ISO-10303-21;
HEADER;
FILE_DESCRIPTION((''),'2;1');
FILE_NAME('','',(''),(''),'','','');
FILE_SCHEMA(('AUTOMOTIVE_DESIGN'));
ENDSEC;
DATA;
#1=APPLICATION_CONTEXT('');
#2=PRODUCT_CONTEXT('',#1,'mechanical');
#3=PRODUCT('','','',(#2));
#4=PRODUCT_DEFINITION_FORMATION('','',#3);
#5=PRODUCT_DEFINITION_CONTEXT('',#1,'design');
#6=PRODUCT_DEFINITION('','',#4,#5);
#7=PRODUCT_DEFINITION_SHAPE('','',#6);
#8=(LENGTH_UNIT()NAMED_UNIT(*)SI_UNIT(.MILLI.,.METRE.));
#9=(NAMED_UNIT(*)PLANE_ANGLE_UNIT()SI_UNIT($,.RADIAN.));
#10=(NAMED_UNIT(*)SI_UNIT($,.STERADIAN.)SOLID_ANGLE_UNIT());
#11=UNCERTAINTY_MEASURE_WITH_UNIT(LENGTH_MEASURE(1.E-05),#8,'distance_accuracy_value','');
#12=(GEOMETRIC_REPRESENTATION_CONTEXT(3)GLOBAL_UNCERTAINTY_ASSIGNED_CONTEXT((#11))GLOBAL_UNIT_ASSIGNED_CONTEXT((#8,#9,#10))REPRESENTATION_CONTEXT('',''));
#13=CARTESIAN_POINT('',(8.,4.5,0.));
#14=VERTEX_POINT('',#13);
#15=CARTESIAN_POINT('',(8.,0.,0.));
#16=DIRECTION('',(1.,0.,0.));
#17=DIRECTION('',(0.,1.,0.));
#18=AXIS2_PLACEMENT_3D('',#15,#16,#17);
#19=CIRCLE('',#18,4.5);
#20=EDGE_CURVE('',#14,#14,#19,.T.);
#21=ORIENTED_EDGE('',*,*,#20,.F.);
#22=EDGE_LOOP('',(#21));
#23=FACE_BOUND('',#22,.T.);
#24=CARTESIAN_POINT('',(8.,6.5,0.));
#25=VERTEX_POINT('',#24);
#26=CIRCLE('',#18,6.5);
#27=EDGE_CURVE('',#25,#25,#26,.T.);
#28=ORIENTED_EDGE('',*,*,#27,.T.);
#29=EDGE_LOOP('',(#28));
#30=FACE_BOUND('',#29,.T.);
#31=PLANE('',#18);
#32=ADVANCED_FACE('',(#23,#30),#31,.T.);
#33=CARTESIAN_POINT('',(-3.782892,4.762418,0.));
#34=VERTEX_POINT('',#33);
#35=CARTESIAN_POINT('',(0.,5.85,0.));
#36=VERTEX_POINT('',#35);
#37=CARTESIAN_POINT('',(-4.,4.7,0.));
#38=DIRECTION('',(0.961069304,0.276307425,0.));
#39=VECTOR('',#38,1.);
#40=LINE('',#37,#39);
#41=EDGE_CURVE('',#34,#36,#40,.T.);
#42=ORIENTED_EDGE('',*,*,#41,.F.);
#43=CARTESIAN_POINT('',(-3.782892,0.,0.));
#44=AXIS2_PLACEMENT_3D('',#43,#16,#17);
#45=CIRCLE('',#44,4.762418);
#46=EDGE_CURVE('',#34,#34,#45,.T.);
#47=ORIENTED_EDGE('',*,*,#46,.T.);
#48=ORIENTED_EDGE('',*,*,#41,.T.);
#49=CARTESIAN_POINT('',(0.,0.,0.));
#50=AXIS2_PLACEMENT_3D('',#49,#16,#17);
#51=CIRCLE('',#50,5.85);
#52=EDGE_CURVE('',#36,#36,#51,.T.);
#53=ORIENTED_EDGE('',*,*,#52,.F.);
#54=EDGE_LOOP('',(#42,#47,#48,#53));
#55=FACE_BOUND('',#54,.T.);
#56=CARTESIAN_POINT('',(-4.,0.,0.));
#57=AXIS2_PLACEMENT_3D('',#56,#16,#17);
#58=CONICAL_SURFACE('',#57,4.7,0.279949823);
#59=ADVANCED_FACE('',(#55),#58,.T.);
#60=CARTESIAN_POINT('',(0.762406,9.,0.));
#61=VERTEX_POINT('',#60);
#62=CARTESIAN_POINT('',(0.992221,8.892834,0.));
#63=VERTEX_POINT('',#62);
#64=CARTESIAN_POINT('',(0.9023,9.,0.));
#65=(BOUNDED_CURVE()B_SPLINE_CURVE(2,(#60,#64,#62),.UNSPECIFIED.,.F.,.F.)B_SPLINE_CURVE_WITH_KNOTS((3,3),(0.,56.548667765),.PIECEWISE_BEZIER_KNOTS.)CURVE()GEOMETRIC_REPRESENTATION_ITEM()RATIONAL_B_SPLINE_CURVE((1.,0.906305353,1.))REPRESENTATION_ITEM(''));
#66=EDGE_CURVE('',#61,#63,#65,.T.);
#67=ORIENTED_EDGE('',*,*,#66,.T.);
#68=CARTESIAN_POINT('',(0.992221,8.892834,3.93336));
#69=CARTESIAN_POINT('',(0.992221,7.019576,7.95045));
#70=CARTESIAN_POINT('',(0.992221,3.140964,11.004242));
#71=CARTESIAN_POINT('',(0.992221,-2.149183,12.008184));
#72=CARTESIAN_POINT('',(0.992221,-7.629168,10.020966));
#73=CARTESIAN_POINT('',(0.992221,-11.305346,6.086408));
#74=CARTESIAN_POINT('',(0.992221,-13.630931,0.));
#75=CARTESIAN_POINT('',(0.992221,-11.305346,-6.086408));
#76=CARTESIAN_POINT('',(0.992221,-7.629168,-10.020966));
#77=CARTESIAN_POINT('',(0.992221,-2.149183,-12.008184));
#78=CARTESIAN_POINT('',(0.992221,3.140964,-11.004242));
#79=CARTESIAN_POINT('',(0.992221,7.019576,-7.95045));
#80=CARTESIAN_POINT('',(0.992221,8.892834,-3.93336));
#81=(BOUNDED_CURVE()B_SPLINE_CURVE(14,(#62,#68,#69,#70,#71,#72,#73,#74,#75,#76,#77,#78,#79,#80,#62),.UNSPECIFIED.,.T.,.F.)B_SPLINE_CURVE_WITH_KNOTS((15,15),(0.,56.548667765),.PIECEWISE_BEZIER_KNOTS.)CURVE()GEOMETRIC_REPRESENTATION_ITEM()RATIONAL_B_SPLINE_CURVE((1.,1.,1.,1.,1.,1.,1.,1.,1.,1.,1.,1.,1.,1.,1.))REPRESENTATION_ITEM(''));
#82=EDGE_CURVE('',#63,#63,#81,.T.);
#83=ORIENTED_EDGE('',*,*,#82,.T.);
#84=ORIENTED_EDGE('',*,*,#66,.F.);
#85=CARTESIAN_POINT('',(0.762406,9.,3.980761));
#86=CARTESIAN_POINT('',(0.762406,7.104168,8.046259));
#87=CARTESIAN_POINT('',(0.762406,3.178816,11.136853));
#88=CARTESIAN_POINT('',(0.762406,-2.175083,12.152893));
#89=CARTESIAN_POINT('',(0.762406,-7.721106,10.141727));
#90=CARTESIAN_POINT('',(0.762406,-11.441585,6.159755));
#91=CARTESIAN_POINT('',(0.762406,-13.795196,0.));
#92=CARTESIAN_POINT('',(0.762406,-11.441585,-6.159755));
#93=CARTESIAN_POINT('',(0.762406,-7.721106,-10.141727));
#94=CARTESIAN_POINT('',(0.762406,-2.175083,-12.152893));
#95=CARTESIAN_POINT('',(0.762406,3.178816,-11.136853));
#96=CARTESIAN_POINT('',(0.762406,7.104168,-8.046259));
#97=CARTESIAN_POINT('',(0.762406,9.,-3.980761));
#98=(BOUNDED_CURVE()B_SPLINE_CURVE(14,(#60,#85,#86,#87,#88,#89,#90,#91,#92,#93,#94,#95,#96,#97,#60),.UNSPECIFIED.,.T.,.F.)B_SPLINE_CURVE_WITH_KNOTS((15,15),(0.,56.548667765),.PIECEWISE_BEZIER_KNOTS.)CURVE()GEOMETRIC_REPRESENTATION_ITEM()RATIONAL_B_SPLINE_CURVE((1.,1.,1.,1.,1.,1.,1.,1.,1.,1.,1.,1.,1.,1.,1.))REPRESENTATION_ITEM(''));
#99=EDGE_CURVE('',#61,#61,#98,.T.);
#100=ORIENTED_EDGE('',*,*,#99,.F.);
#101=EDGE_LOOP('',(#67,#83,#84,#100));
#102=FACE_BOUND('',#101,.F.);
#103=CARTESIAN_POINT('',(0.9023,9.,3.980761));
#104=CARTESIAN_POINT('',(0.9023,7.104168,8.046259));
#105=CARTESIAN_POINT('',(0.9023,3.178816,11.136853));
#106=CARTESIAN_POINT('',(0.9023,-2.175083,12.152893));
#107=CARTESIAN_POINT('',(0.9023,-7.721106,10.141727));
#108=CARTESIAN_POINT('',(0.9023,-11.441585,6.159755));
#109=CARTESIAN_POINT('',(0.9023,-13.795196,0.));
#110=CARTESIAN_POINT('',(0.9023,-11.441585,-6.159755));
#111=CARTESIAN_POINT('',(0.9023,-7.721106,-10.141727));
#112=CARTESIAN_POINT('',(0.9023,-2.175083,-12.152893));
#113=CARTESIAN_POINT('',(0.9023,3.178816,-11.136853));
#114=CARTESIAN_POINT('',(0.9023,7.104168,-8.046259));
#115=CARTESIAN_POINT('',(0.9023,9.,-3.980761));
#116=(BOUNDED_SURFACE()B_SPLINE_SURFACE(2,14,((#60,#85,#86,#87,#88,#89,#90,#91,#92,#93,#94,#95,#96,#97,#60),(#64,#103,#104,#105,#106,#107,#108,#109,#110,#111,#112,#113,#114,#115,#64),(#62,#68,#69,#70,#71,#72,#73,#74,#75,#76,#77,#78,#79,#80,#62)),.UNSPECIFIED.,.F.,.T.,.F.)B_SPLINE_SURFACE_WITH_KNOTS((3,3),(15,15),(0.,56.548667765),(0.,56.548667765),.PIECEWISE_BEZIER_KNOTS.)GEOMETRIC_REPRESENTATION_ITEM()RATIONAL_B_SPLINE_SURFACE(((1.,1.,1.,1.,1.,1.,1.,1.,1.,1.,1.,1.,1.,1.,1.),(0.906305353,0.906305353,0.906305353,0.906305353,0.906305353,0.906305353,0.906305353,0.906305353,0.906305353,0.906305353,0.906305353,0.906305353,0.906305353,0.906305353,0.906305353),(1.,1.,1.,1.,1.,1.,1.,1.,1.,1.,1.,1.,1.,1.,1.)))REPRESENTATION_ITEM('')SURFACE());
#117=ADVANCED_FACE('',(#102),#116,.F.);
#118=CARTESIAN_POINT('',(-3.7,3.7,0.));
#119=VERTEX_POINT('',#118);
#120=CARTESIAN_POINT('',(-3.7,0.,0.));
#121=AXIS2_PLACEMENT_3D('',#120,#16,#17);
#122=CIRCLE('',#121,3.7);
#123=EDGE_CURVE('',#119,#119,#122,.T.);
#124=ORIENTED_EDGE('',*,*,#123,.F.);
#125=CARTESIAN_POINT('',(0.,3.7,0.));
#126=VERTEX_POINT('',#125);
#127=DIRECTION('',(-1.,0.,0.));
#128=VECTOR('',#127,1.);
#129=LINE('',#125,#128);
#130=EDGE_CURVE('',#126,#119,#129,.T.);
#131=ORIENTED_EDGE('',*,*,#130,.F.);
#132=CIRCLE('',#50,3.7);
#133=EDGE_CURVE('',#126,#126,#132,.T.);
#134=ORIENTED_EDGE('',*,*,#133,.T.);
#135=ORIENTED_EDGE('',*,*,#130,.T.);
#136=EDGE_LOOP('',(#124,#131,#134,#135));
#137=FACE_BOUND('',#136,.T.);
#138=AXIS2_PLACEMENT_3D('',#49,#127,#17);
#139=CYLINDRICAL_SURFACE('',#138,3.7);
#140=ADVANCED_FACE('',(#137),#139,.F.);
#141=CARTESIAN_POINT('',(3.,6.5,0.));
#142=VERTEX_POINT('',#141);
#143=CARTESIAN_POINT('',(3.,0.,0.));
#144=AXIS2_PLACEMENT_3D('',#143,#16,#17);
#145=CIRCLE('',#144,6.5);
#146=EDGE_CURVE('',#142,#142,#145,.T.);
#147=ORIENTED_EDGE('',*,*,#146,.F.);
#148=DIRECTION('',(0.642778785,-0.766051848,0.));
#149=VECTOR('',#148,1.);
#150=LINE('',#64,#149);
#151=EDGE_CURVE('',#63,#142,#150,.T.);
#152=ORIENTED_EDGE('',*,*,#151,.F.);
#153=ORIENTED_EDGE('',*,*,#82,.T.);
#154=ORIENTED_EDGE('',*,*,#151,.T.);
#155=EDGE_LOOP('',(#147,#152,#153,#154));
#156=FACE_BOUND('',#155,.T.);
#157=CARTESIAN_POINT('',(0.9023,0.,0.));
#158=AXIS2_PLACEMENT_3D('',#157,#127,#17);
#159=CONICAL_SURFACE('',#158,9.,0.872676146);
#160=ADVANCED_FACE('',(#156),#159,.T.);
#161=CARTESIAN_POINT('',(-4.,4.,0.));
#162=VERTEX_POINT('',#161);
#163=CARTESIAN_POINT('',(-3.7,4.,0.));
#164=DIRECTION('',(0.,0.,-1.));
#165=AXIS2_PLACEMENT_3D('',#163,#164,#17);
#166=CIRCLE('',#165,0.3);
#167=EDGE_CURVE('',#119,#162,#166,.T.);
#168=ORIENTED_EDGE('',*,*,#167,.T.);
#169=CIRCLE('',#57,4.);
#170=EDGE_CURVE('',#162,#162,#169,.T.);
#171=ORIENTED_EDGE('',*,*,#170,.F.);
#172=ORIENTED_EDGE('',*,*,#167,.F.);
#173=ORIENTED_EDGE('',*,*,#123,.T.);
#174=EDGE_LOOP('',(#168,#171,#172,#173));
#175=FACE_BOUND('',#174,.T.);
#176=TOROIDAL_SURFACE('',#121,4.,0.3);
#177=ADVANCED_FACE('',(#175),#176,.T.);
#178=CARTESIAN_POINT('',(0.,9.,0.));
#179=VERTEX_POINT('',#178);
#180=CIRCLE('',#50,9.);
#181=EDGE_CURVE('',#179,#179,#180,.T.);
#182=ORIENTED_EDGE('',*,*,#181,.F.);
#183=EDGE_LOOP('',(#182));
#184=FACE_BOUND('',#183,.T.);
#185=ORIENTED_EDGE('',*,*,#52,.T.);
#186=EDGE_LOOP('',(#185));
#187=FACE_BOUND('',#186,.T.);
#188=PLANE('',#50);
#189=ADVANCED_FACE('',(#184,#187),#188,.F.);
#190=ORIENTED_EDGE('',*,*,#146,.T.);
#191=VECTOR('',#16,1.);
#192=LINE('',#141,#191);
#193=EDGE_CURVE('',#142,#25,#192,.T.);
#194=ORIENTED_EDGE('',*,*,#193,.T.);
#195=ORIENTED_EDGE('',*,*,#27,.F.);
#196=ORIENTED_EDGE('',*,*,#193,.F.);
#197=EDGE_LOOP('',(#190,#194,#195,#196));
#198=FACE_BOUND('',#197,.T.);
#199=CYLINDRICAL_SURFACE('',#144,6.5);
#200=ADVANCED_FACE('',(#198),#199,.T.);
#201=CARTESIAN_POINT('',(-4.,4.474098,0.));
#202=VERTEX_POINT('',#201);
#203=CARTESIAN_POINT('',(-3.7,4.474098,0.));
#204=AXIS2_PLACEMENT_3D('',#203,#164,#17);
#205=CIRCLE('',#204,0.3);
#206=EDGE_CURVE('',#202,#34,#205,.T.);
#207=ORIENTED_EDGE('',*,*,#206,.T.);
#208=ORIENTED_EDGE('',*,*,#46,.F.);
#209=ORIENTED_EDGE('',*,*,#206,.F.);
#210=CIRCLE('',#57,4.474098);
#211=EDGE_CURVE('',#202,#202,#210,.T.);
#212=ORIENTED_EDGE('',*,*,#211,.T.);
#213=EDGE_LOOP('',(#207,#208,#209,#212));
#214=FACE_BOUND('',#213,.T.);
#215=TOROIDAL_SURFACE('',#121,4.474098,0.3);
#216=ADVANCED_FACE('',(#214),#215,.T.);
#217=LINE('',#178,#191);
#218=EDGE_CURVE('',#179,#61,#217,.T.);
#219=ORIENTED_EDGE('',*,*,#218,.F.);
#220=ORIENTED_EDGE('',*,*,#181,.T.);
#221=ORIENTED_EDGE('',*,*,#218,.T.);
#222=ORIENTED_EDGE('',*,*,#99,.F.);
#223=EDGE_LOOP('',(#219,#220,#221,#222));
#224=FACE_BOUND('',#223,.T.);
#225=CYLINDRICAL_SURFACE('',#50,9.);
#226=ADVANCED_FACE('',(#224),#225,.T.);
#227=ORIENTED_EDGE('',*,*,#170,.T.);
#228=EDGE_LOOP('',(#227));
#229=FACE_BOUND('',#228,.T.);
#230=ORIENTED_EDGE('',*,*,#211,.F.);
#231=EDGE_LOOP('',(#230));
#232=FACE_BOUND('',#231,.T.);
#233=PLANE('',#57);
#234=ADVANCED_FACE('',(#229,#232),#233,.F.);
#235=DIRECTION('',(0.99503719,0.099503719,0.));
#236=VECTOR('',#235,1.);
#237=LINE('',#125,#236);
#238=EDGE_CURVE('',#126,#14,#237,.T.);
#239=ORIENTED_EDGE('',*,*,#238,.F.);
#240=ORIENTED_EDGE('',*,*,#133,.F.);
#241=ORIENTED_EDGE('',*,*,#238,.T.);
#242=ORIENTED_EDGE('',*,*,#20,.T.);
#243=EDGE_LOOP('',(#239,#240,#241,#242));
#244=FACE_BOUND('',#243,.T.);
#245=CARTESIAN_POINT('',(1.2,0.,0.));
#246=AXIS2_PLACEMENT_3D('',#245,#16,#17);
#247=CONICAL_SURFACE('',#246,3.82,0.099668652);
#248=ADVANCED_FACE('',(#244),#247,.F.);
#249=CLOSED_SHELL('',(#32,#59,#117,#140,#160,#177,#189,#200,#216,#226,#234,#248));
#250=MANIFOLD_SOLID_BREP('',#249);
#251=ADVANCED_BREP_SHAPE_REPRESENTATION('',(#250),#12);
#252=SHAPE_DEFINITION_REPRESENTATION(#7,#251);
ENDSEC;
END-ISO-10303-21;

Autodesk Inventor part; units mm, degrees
ref_plane "YZ-Ebene" through (0, 0, 0) normal (1, 0, 0) x (0, 1, 0)
ref_plane "XZ-Ebene" through (0, 0, 0) normal (0, 1, 0) x (-1, 0, 0)
ref_plane "XY-Ebene" through (0, 0, 0) normal (0, 0, 1) x (1, 0, 0)
sketch "Skizze1" plane through (0, 0, 0) normal (0, 0, 1) x (1, 0, 0)
  line L0 (-6.4, 0) -> (10.4, 0) projected
  line L1 (0, -1.8) -> (0, 10.8) projected
  line L2 (0, 9) -> (0.9023, 9)
  line L3 (0.9023, 9) -> (3, 6.5)
  line L4 (3, 6.5) -> (8, 6.5)
  line L5 (8, 6.5) -> (8, 4.5)
  line L6 (8, 4.5) -> (1.2, 3.82)
  line L7 (1.2, 3.82) -> (0, 3.7)
  line L8 (0, 3.7) -> (-4, 3.7)
  line L9 (-4, 3.7) -> (-4, 4.7)
  line L10 (-4, 4.7) -> (0, 5.85)
  line L11 (0, 5.85) -> (0, 9)
  point P0 (0, 0)
  dimension "d0" = 9
  dimension "d1" = 8
  dimension "d2" = 5
  dimension "d3" = 130
  dimension "d4" = 6.8
  dimension "d5" = 4
  dimension "d6" = 4.5
  dimension "d7" = 6.5
  dimension "d8" = 3.7
  dimension "d9" = 4.7
  dimension "d10" = 5.85
revolve "Umdrehung1" add sketch "Skizze1" angle 360 about axis through (-10, 0, 0) along (1, 0, 0)
fillet "Rundung1" radius 0.3 3 edges at (0.9023, -9, 0) (-4, -4.7, 0) (-4, -3.7, 0)
properties part number "Propellernabe_ra8846s" material "Aluminium 6061"
